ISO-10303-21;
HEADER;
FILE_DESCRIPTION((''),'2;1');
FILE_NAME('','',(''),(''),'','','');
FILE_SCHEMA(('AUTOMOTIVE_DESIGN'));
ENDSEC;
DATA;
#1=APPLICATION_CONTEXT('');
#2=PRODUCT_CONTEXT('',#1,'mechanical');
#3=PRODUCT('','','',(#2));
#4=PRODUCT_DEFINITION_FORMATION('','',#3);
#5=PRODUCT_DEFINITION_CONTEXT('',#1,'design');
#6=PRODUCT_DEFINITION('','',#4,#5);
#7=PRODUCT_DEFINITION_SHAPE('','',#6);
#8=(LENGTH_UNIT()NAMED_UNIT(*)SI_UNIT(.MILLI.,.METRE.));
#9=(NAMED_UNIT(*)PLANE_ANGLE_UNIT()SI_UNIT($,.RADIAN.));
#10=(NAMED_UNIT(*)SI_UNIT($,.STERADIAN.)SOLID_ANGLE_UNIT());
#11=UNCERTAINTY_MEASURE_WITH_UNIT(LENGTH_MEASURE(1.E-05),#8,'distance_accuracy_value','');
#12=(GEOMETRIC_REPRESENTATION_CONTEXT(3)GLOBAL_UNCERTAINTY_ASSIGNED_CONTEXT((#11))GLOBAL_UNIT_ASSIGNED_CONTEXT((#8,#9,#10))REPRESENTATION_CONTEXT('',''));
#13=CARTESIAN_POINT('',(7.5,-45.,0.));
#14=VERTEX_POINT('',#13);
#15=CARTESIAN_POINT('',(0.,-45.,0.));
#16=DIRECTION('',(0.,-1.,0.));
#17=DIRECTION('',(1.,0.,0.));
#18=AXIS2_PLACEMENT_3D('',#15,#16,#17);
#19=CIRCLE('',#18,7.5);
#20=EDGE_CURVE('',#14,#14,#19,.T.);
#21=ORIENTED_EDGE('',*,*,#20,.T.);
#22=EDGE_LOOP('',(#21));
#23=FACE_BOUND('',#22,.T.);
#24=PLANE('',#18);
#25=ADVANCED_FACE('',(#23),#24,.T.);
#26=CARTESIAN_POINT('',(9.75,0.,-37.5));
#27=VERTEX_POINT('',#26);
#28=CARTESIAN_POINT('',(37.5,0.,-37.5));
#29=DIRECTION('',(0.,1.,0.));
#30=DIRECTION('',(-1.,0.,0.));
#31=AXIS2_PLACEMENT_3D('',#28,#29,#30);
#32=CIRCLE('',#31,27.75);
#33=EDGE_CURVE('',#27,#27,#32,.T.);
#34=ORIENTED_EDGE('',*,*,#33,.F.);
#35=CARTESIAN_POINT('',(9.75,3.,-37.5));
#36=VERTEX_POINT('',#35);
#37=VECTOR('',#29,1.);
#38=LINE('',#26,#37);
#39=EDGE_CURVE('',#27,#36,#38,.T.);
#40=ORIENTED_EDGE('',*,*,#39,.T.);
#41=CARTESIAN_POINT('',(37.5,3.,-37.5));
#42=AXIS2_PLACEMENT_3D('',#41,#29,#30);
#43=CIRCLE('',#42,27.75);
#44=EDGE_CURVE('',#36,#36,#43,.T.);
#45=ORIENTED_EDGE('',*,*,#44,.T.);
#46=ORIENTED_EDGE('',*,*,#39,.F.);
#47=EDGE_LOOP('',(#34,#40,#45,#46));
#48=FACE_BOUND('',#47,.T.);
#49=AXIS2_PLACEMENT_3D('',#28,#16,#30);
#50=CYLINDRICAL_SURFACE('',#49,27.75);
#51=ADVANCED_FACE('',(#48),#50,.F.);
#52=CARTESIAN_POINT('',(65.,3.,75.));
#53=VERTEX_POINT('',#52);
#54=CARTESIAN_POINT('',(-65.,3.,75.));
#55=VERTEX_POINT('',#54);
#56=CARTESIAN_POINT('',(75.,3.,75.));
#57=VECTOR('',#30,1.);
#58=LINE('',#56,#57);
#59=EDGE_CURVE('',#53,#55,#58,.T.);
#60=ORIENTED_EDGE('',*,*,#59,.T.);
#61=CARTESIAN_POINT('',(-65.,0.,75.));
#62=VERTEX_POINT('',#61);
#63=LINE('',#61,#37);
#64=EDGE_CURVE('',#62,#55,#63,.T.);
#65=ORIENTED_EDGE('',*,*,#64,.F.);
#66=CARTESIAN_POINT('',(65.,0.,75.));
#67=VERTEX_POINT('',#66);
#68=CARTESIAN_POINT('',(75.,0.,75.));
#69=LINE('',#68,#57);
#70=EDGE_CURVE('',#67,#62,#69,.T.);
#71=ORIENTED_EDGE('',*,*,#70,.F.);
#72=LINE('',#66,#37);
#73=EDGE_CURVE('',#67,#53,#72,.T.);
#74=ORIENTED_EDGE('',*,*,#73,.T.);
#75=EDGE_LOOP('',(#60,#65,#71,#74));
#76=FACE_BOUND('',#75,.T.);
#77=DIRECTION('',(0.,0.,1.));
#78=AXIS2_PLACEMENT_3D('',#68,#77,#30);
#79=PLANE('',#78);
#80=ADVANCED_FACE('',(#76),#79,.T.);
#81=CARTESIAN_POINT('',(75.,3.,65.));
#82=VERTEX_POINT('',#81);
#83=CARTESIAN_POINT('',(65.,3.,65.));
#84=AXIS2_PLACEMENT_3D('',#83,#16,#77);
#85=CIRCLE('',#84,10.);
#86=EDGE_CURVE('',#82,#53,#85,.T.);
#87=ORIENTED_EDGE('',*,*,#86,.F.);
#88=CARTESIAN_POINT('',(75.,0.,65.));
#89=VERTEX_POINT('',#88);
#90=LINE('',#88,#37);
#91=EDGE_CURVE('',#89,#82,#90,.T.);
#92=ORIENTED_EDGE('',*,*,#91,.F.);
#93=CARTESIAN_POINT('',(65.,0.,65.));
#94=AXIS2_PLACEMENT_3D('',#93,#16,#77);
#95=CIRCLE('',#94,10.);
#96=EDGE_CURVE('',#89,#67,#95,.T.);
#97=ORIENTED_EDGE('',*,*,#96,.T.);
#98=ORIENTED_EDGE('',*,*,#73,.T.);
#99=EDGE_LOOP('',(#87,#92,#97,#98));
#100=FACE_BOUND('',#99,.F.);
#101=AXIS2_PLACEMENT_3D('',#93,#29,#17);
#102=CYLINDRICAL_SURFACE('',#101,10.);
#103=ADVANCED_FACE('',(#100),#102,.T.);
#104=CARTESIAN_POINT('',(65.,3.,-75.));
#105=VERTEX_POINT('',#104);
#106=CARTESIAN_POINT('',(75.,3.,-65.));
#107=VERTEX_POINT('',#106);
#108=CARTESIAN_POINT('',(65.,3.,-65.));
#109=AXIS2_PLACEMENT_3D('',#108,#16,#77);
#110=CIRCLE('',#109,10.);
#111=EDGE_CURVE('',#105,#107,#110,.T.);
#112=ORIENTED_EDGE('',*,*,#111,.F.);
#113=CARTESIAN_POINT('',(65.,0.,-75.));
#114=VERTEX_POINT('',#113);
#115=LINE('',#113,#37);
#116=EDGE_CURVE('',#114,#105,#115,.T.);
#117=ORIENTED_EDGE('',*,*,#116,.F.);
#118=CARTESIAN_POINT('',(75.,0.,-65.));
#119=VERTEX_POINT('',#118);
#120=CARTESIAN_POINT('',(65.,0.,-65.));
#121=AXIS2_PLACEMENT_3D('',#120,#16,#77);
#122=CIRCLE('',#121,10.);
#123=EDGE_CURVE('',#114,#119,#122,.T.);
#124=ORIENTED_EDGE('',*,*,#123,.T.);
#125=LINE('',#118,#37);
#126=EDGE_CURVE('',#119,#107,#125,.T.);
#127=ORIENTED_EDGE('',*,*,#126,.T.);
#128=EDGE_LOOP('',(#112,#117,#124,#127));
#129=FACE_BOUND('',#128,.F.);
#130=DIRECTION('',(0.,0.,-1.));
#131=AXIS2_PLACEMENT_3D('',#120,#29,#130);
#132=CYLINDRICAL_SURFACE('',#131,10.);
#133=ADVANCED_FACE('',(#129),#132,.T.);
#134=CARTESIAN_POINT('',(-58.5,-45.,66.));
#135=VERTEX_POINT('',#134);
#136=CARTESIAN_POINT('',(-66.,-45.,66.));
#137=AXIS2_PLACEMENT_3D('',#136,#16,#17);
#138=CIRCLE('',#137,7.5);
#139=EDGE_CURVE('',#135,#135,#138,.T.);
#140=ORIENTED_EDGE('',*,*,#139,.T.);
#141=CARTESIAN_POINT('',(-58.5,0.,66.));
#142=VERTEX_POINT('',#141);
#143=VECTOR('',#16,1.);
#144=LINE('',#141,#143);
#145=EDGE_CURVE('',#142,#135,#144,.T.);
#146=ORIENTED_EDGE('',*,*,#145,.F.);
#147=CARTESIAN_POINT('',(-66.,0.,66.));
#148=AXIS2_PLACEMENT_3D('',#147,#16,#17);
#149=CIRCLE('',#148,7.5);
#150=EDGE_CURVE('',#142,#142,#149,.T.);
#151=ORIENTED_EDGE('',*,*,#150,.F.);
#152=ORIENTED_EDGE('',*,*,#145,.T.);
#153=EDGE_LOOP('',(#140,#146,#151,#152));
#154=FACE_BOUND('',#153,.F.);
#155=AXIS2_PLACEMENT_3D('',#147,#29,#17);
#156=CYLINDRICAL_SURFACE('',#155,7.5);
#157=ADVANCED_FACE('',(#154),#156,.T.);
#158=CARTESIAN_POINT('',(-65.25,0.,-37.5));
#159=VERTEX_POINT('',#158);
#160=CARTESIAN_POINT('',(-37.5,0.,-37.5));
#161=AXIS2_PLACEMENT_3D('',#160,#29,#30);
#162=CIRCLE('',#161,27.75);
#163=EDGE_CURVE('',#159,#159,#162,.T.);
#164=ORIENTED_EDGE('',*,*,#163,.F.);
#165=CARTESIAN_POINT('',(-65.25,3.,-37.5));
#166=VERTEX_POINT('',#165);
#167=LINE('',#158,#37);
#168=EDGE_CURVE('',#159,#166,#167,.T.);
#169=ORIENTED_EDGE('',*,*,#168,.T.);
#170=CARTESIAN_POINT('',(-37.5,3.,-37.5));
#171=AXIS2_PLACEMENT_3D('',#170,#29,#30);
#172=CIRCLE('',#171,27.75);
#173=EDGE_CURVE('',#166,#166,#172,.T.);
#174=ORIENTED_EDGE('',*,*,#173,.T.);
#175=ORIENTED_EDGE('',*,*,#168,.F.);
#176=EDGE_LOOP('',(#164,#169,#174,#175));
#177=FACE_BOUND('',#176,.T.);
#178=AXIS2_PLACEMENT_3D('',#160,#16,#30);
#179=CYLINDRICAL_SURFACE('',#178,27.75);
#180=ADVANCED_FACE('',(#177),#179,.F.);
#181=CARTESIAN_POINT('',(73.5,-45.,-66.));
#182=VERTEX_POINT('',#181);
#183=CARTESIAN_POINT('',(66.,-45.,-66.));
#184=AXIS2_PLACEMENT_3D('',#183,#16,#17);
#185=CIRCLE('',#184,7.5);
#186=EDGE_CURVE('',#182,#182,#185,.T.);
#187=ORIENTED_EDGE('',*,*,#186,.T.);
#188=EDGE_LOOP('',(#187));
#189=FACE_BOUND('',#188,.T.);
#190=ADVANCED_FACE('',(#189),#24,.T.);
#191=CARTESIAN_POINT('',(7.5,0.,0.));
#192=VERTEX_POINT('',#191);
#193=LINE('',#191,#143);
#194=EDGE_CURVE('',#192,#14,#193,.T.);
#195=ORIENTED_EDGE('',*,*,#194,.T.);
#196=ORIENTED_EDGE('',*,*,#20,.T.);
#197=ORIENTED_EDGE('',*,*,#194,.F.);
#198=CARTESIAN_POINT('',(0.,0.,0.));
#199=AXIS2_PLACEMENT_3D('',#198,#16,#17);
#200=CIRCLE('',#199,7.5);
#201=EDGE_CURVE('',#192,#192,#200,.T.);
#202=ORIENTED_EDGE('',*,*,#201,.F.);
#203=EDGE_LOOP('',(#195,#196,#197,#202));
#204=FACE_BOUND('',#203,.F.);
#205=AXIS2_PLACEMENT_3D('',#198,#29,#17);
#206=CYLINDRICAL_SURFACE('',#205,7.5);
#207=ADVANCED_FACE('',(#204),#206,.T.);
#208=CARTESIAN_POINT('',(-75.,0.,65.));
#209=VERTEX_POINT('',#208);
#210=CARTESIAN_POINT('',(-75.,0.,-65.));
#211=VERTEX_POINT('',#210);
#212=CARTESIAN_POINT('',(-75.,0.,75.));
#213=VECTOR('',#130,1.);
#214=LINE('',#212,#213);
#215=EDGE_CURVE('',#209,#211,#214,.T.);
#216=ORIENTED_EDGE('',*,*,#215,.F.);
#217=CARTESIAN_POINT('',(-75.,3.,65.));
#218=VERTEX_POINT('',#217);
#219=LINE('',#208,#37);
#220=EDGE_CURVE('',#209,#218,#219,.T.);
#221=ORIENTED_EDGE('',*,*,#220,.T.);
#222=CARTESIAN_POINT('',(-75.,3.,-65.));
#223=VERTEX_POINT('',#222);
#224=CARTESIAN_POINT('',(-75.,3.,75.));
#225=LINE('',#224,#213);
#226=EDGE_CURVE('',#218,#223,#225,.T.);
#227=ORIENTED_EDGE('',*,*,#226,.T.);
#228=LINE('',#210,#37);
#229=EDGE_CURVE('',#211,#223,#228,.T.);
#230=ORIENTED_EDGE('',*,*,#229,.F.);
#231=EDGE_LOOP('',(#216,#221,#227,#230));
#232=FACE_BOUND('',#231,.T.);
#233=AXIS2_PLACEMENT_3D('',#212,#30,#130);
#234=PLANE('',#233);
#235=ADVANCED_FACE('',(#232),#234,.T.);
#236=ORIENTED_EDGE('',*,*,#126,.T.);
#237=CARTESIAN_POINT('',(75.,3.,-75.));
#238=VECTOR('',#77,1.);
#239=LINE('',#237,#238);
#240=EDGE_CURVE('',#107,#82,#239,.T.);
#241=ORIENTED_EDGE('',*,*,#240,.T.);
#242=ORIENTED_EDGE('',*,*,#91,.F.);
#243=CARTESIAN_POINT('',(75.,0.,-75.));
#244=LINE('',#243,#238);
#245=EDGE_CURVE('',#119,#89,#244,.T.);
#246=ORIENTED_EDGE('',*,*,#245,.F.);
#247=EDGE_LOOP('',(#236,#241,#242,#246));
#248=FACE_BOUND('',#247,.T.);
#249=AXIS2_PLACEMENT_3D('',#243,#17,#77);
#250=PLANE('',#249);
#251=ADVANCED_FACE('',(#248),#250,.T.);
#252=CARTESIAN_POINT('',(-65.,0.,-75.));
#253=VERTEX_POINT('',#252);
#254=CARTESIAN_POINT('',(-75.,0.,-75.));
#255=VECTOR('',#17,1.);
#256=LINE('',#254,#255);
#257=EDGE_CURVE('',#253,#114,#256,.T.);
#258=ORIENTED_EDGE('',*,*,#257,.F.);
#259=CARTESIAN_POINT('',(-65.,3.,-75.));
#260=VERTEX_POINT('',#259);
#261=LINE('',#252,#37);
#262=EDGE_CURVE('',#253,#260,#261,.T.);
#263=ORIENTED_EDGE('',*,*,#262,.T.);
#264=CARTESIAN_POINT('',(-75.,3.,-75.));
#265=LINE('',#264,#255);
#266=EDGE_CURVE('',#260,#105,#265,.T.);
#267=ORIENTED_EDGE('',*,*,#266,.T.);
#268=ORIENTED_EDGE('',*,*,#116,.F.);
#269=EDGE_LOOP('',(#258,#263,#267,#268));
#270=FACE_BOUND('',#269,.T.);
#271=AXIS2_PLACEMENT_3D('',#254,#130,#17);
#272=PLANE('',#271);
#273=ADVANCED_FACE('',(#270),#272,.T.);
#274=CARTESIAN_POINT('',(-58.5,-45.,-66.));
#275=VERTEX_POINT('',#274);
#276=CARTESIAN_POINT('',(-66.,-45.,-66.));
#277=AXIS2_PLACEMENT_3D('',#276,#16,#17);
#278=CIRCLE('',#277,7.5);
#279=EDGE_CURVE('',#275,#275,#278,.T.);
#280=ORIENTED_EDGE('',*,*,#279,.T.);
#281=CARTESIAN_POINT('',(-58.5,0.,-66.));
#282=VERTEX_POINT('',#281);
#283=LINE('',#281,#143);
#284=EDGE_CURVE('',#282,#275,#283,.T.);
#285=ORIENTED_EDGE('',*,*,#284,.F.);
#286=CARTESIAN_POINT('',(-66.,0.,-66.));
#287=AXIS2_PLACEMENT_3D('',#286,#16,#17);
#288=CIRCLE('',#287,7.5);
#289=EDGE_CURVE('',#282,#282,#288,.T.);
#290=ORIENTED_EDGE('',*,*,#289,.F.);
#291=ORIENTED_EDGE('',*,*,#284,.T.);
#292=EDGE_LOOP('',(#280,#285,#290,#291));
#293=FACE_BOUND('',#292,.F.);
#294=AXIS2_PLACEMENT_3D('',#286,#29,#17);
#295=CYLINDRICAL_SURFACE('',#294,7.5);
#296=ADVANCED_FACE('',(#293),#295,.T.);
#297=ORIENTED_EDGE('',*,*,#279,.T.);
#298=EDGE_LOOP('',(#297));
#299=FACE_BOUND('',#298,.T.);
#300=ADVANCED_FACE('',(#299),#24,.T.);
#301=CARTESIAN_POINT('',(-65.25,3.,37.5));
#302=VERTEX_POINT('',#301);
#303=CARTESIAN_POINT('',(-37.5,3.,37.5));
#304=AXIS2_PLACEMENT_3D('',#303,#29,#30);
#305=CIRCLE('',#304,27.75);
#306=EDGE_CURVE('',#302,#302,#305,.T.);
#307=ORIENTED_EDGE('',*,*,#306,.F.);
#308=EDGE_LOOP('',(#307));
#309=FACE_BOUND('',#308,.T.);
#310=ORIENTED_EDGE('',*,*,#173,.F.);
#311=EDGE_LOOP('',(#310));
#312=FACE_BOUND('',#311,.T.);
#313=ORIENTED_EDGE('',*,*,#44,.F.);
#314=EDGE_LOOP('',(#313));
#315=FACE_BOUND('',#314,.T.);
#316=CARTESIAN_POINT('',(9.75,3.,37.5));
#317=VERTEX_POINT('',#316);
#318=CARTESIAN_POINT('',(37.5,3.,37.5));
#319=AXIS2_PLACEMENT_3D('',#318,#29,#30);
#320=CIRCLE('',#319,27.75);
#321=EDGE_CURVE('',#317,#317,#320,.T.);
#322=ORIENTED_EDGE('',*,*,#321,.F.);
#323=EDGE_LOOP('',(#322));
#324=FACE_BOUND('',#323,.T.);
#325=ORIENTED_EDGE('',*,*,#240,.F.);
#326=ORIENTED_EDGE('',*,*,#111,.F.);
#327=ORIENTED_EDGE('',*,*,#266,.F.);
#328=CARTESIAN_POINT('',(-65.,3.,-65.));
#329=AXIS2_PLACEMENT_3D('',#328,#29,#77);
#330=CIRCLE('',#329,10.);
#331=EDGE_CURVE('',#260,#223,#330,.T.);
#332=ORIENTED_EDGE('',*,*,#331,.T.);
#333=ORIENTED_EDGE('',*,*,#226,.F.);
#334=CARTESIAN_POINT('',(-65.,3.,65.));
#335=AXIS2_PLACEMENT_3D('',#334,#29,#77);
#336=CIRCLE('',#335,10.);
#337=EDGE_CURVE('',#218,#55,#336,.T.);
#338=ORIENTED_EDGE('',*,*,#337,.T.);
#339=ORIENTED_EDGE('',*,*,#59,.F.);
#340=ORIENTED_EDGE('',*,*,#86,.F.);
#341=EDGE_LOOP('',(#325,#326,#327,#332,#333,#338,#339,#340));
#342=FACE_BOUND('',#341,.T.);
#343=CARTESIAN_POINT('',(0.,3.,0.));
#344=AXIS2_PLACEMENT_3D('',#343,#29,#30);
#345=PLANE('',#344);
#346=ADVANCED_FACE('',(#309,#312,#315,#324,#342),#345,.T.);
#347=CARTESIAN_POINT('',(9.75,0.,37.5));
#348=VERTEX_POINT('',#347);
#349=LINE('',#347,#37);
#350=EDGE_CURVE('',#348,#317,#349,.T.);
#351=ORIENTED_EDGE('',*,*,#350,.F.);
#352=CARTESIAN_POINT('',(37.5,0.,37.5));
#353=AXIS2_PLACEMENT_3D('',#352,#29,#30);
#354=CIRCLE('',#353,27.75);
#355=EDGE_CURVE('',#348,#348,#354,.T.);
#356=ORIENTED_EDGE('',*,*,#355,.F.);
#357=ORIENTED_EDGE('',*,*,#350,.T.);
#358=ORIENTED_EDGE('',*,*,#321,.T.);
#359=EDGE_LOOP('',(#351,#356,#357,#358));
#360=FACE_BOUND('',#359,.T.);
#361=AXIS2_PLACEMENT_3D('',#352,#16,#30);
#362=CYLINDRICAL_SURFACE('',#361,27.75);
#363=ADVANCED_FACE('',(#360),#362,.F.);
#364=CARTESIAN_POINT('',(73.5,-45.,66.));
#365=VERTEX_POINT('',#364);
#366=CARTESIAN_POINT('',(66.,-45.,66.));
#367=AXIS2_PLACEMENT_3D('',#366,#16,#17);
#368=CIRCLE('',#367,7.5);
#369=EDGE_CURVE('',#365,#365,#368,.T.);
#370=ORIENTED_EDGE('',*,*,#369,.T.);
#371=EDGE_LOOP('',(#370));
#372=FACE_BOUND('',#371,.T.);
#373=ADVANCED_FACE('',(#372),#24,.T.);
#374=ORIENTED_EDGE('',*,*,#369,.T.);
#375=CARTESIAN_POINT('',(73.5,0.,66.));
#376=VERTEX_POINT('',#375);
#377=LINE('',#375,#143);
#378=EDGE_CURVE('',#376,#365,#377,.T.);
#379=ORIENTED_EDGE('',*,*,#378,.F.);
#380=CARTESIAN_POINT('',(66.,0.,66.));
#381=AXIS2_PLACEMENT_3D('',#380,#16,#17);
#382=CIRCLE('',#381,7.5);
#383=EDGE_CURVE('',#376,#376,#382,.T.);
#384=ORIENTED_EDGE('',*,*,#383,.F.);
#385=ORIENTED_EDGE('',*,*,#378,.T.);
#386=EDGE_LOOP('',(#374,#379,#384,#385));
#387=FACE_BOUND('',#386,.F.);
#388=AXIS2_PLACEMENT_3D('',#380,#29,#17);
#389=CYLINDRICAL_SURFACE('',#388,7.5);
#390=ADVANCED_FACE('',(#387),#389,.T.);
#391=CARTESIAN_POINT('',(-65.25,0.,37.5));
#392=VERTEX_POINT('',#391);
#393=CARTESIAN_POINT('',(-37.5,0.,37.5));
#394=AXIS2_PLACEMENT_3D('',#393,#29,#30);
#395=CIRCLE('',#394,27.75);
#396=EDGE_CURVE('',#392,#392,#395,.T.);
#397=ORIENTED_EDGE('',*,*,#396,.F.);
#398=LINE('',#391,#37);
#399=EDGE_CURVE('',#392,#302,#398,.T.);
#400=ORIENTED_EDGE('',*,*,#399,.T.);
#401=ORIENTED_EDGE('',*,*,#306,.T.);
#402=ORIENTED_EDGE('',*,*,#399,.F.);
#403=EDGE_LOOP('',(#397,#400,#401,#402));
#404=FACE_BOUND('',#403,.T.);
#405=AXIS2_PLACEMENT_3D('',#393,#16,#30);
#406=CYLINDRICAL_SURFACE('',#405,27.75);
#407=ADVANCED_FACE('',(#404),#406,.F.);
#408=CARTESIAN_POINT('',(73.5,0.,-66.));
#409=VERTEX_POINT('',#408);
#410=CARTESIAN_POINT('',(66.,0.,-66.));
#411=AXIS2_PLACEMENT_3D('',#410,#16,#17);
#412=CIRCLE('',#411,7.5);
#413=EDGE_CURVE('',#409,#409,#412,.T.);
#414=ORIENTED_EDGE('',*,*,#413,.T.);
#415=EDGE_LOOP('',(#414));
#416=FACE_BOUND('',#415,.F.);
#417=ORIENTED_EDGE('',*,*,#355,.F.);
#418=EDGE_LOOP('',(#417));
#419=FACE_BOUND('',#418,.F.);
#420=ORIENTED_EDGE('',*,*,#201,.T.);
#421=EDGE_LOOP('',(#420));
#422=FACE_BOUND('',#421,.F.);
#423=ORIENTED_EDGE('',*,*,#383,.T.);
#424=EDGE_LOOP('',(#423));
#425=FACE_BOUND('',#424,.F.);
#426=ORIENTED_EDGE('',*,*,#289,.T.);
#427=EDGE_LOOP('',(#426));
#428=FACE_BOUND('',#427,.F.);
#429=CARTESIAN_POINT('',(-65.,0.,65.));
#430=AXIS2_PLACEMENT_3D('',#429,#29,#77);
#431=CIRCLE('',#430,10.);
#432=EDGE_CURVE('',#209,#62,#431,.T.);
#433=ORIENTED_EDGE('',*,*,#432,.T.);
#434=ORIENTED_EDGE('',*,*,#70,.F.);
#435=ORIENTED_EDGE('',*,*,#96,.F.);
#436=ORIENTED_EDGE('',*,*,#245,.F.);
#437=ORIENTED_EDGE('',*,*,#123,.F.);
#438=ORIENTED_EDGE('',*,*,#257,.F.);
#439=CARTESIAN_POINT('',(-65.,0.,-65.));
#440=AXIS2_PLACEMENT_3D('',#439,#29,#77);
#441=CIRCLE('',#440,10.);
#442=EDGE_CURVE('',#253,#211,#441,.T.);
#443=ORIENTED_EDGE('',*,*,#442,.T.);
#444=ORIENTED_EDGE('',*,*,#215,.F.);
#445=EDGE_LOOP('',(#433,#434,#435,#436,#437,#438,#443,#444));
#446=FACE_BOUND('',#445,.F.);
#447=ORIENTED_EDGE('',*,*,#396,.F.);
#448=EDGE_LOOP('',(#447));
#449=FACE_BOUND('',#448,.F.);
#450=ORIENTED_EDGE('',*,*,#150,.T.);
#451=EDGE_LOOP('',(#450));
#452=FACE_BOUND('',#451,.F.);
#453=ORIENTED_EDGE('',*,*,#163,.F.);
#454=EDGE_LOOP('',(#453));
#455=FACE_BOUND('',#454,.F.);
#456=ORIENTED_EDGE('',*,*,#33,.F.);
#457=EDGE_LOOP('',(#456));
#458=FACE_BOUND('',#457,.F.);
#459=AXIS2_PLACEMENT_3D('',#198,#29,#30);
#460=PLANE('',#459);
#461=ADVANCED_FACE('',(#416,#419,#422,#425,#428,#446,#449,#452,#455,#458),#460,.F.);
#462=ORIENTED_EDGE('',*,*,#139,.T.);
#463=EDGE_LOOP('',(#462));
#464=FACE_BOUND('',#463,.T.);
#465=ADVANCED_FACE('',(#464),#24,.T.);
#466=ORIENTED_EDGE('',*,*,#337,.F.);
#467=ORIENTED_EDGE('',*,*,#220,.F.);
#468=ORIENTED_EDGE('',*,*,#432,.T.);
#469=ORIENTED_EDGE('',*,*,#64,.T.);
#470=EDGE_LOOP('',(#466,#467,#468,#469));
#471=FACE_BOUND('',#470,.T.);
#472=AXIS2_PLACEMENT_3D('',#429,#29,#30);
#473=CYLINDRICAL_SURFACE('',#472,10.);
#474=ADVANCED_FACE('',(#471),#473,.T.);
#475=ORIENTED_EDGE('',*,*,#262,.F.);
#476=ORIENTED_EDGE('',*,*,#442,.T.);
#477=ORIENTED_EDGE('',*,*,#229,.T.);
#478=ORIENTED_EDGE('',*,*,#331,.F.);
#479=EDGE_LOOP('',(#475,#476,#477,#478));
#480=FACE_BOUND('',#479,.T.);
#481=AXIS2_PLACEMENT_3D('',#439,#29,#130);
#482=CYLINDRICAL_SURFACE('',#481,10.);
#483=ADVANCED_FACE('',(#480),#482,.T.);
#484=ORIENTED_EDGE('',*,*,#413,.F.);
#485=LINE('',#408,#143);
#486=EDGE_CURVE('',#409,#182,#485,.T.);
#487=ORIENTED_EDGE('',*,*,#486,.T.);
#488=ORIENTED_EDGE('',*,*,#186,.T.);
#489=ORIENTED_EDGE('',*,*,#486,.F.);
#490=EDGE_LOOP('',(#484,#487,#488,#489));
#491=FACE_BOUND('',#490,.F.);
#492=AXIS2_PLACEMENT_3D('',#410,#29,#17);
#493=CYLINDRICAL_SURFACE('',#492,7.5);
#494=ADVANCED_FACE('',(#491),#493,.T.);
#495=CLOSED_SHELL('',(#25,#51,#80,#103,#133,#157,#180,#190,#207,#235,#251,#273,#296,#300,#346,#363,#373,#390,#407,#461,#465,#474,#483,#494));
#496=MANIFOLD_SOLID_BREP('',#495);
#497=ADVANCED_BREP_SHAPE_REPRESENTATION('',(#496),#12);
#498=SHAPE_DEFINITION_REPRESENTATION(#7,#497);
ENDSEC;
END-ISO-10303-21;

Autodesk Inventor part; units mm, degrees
ref_plane "YZ Plane" through (0, 0, 0) normal (1, 0, 0) x (0, 1, 0)
ref_plane "XZ Plane" through (0, 0, 0) normal (0, 1, 0) x (-1, 0, 0)
ref_plane "XY Plane" through (0, 0, 0) normal (0, 0, 1) x (1, 0, 0)
sketch "Sketch1" plane through (0, 0, 0) normal (0, 1, 0) x (-1, 0, 0)
  line L0 (37.5, -37.5) -> (-37.5, -37.5) construction
  line L1 (-37.5, -37.5) -> (-37.5, 37.5) construction
  line L2 (-37.5, 37.5) -> (37.5, 37.5) construction
  line L3 (37.5, 37.5) -> (37.5, -37.5) construction
  circle A0 centre (37.5, -37.5) radius 27 construction
  circle A1 centre (-37.5, -37.5) radius 27 construction
  circle A2 centre (-37.5, 37.5) radius 27 construction
  circle A3 centre (37.5, 37.5) radius 27 construction
  circle A4 centre (37.5, -37.5) radius 27.75
  circle A5 centre (-37.5, -37.5) radius 27.75
  circle A6 centre (-37.5, 37.5) radius 27.75
  circle A7 centre (37.5, 37.5) radius 27.75
  line L4 (75, -75) -> (-75, -75)
  line L5 (-75, -75) -> (-75, 75)
  line L6 (-75, 75) -> (75, 75)
  line L7 (75, 75) -> (75, -75)
  point P0 (0, 0)
  point P1 (-37.5, 0)
  point P2 (0, -37.5)
  point P3 (-75, 0)
  point P4 (0, -75)
  dimension "d0" = 75
  dimension "d1" = 54
  dimension "d2" = 0.75
  dimension "d3" = 0.75
  dimension "d4" = 0.75
  dimension "d5" = 0.75
  dimension "d6" = 150
extrude "Extrusion1" add sketch "Sketch1" along normal blind 3
sketch "Sketch2" plane through (0, 0, 0) normal (0, -1, 0) x (1, 0, 0)
  circle A0 centre (0, 0) radius 7.5
  line L0 (-75, 75) -> (75, 75) construction
  line L1 (-75, -75) -> (-75, 75) construction
  line L2 (75, -75) -> (-75, -75) construction
  line L3 (75, 75) -> (75, -75) construction
  circle A1 centre (-37.5, 37.5) radius 27.75 construction
  circle A2 centre (37.5, 37.5) radius 27.75 construction
  circle A3 centre (37.5, -37.5) radius 27.75 construction
  circle A4 centre (-37.5, -37.5) radius 27.75 construction
  line L4 (66, 66) -> (-66, 66) construction
  line L5 (-66, 66) -> (-66, -66) construction
  line L6 (-66, -66) -> (66, -66) construction
  line L7 (66, -66) -> (66, 66) construction
  circle A5 centre (-66, 66) radius 7.5
  circle A6 centre (66, 66) radius 7.5
  circle A7 centre (-66, -66) radius 7.5
  circle A8 centre (66, -66) radius 7.5
  dimension "d9" = 15
  dimension "d10" = 9
extrude "Extrusion2" add sketch "Sketch2" along normal blind 45
fillet "Fillet1" radius 10 4 edges at (-75, 1.5, 75) (75, 1.5, 75) (75, 1.5, -75) (-75, 1.5, -75)
properties part number "4BeakerStand_3DPrint"
